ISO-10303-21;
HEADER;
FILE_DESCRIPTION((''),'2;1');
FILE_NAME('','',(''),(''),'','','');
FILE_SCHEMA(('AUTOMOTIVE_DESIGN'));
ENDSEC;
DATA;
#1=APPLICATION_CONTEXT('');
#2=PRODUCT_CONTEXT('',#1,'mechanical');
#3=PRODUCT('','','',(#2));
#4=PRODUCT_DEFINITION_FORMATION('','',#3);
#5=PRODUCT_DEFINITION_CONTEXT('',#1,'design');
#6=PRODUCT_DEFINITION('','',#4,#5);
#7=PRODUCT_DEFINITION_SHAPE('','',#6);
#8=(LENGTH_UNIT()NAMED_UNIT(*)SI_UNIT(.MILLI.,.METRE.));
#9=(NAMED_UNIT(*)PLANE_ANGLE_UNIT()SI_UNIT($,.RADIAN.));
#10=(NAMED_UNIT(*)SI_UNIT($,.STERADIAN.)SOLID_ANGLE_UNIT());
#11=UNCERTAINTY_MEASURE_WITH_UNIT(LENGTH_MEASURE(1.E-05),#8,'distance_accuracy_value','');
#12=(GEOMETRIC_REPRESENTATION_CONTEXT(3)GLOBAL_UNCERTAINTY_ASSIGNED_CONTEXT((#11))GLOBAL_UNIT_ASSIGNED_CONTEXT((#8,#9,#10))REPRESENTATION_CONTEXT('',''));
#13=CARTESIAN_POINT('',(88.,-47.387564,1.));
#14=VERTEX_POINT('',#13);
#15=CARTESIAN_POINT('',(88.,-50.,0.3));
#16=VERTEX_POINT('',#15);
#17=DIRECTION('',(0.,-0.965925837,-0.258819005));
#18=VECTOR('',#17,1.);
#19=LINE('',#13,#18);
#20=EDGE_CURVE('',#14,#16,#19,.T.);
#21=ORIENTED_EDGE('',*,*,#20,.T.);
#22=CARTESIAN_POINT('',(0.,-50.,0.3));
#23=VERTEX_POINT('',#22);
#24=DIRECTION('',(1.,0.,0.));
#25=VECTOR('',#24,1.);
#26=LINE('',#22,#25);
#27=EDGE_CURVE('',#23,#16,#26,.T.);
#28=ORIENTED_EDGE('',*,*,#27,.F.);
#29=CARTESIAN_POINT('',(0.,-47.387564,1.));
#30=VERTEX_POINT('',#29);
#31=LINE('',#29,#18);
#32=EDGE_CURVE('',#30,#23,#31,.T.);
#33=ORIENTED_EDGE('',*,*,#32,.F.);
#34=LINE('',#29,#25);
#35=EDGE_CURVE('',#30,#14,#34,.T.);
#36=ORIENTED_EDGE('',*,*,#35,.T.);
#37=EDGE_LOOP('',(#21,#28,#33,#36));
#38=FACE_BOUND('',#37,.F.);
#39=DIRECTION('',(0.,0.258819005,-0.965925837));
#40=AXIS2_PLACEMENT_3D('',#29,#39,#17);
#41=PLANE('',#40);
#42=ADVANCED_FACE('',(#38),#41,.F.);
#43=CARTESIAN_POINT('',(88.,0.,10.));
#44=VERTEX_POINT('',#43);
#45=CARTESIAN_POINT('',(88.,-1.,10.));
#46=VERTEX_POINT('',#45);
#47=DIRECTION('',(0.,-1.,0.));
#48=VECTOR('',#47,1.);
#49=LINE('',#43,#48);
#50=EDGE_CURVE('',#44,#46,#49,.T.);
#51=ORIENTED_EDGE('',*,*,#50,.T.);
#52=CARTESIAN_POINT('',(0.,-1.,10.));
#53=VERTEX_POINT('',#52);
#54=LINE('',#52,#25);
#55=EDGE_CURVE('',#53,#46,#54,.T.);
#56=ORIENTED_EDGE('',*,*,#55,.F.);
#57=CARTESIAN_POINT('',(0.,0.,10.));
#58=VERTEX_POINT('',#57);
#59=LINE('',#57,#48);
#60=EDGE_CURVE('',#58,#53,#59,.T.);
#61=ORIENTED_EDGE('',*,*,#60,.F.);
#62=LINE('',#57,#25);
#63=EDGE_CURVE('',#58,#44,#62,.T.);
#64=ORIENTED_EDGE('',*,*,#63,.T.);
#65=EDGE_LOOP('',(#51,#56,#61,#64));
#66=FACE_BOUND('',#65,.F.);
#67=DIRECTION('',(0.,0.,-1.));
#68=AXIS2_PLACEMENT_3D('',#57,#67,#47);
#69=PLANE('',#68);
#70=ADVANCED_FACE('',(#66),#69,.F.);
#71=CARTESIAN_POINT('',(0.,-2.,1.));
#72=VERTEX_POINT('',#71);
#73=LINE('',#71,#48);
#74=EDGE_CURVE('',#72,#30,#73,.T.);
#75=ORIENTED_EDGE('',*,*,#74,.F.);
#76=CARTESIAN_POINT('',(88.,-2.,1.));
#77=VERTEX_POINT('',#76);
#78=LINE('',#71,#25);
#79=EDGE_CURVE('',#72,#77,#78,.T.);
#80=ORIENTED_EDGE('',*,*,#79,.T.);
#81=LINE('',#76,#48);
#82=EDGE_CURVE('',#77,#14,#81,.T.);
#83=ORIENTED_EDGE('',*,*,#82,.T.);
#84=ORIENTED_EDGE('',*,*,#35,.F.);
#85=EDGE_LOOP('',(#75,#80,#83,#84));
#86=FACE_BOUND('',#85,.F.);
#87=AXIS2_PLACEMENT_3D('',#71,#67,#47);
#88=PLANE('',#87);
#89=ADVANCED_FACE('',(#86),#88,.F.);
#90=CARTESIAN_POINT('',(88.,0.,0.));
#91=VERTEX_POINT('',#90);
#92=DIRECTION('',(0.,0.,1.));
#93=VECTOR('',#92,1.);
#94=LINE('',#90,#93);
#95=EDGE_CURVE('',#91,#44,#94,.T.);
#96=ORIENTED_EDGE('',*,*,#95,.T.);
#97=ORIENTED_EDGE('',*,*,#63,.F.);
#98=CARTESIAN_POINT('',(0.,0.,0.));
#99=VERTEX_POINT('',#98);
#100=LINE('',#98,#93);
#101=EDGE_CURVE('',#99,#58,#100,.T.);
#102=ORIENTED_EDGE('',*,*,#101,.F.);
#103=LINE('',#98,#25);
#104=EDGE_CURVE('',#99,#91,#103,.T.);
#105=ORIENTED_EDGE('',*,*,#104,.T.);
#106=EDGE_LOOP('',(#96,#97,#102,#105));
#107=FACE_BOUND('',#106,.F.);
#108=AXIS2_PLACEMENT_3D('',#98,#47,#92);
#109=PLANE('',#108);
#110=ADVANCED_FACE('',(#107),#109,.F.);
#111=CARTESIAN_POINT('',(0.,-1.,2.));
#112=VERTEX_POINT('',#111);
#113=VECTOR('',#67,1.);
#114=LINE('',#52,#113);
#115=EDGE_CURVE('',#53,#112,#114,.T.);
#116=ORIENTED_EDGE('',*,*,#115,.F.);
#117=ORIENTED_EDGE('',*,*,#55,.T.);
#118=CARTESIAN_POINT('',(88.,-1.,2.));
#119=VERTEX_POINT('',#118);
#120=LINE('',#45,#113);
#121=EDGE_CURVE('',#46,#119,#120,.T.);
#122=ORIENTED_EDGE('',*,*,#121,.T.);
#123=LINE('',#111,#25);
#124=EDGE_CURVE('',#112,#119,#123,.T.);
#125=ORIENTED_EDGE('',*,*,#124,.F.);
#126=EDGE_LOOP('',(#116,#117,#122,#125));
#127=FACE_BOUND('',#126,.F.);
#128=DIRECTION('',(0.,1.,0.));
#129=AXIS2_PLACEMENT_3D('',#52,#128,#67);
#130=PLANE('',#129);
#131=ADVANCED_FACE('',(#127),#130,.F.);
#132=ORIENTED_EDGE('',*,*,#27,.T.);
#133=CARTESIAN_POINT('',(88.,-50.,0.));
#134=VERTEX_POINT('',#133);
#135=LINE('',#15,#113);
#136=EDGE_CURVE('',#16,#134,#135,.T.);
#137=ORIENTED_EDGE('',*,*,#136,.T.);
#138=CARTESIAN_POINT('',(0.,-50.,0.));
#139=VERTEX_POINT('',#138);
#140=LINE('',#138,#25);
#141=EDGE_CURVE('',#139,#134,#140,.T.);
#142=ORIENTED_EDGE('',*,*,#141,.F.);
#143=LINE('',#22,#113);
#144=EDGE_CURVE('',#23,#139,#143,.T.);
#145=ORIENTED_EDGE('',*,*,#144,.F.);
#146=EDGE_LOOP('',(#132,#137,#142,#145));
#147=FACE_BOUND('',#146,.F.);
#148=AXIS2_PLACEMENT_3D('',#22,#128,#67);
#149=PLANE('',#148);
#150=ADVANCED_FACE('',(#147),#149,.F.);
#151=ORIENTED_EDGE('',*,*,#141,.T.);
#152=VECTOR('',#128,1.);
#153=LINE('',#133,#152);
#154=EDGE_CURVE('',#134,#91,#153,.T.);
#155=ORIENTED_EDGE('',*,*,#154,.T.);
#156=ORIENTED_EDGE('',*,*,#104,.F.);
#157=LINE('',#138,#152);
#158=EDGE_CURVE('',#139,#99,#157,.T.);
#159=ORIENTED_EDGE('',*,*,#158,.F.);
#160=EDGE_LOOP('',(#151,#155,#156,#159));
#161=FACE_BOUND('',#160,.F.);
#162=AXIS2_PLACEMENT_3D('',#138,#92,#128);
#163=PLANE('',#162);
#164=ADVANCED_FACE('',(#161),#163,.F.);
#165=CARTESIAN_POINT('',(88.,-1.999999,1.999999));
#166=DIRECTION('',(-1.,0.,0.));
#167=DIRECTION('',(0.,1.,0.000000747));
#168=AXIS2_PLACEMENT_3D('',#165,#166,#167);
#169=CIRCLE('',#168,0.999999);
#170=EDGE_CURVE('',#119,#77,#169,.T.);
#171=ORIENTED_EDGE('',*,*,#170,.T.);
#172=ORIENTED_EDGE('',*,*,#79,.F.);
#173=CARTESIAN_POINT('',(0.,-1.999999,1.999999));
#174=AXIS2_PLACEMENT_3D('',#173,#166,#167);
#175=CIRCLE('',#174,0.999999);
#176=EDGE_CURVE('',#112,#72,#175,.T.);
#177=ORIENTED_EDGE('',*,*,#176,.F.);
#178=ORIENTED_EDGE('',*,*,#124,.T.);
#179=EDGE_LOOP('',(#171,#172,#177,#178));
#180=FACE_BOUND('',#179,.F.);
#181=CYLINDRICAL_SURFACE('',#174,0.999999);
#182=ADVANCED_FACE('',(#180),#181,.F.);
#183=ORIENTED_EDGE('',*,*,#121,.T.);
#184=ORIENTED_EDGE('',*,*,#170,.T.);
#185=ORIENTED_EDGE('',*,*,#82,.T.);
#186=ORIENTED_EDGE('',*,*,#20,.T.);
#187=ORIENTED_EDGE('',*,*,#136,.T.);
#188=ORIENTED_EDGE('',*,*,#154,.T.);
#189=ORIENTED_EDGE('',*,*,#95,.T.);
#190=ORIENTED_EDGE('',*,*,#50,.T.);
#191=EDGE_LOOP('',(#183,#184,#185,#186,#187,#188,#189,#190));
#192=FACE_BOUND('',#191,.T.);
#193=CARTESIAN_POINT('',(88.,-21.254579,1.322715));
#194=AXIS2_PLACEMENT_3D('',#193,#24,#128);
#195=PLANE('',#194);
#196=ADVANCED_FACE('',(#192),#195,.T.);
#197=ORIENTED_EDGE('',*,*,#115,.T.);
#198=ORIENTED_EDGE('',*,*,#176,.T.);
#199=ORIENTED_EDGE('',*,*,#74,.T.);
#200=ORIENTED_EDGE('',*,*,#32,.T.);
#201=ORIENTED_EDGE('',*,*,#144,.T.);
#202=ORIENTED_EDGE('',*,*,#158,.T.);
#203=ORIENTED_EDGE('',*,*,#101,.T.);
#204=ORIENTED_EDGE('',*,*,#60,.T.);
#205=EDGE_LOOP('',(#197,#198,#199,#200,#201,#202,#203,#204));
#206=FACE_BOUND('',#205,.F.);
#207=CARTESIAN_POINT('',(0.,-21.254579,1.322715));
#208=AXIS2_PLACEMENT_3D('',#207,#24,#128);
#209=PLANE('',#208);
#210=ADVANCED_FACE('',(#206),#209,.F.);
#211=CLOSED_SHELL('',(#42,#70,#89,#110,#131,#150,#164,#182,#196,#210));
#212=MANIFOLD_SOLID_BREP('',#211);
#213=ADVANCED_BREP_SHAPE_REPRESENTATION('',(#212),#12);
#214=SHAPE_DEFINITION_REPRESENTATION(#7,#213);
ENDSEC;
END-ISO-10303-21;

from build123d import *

# Parameters (mm, degrees)
F1_DEPTH = 88


with BuildPart() as f1:
    # F0 (on Right) → F1 (new body)
    with BuildSketch(Plane.YZ):
        with BuildLine():
            Line((-50, 0.3), (-50, 0))
            Line((-50, 0), (0, 0))
            Line((0, 0), (0, 10))
            Line((0, 10), (-1, 10))
            Line((-1, 10), (-1, 2))
            ThreePointArc((-1, 2), (-1.292893, 1.292893), (-2, 1))
            Line((-2, 1), (-47.387564, 1))
            Line((-47.387564, 1), (-50, 0.3))
        make_face()
    extrude(amount=F1_DEPTH)


solid = f1.part
